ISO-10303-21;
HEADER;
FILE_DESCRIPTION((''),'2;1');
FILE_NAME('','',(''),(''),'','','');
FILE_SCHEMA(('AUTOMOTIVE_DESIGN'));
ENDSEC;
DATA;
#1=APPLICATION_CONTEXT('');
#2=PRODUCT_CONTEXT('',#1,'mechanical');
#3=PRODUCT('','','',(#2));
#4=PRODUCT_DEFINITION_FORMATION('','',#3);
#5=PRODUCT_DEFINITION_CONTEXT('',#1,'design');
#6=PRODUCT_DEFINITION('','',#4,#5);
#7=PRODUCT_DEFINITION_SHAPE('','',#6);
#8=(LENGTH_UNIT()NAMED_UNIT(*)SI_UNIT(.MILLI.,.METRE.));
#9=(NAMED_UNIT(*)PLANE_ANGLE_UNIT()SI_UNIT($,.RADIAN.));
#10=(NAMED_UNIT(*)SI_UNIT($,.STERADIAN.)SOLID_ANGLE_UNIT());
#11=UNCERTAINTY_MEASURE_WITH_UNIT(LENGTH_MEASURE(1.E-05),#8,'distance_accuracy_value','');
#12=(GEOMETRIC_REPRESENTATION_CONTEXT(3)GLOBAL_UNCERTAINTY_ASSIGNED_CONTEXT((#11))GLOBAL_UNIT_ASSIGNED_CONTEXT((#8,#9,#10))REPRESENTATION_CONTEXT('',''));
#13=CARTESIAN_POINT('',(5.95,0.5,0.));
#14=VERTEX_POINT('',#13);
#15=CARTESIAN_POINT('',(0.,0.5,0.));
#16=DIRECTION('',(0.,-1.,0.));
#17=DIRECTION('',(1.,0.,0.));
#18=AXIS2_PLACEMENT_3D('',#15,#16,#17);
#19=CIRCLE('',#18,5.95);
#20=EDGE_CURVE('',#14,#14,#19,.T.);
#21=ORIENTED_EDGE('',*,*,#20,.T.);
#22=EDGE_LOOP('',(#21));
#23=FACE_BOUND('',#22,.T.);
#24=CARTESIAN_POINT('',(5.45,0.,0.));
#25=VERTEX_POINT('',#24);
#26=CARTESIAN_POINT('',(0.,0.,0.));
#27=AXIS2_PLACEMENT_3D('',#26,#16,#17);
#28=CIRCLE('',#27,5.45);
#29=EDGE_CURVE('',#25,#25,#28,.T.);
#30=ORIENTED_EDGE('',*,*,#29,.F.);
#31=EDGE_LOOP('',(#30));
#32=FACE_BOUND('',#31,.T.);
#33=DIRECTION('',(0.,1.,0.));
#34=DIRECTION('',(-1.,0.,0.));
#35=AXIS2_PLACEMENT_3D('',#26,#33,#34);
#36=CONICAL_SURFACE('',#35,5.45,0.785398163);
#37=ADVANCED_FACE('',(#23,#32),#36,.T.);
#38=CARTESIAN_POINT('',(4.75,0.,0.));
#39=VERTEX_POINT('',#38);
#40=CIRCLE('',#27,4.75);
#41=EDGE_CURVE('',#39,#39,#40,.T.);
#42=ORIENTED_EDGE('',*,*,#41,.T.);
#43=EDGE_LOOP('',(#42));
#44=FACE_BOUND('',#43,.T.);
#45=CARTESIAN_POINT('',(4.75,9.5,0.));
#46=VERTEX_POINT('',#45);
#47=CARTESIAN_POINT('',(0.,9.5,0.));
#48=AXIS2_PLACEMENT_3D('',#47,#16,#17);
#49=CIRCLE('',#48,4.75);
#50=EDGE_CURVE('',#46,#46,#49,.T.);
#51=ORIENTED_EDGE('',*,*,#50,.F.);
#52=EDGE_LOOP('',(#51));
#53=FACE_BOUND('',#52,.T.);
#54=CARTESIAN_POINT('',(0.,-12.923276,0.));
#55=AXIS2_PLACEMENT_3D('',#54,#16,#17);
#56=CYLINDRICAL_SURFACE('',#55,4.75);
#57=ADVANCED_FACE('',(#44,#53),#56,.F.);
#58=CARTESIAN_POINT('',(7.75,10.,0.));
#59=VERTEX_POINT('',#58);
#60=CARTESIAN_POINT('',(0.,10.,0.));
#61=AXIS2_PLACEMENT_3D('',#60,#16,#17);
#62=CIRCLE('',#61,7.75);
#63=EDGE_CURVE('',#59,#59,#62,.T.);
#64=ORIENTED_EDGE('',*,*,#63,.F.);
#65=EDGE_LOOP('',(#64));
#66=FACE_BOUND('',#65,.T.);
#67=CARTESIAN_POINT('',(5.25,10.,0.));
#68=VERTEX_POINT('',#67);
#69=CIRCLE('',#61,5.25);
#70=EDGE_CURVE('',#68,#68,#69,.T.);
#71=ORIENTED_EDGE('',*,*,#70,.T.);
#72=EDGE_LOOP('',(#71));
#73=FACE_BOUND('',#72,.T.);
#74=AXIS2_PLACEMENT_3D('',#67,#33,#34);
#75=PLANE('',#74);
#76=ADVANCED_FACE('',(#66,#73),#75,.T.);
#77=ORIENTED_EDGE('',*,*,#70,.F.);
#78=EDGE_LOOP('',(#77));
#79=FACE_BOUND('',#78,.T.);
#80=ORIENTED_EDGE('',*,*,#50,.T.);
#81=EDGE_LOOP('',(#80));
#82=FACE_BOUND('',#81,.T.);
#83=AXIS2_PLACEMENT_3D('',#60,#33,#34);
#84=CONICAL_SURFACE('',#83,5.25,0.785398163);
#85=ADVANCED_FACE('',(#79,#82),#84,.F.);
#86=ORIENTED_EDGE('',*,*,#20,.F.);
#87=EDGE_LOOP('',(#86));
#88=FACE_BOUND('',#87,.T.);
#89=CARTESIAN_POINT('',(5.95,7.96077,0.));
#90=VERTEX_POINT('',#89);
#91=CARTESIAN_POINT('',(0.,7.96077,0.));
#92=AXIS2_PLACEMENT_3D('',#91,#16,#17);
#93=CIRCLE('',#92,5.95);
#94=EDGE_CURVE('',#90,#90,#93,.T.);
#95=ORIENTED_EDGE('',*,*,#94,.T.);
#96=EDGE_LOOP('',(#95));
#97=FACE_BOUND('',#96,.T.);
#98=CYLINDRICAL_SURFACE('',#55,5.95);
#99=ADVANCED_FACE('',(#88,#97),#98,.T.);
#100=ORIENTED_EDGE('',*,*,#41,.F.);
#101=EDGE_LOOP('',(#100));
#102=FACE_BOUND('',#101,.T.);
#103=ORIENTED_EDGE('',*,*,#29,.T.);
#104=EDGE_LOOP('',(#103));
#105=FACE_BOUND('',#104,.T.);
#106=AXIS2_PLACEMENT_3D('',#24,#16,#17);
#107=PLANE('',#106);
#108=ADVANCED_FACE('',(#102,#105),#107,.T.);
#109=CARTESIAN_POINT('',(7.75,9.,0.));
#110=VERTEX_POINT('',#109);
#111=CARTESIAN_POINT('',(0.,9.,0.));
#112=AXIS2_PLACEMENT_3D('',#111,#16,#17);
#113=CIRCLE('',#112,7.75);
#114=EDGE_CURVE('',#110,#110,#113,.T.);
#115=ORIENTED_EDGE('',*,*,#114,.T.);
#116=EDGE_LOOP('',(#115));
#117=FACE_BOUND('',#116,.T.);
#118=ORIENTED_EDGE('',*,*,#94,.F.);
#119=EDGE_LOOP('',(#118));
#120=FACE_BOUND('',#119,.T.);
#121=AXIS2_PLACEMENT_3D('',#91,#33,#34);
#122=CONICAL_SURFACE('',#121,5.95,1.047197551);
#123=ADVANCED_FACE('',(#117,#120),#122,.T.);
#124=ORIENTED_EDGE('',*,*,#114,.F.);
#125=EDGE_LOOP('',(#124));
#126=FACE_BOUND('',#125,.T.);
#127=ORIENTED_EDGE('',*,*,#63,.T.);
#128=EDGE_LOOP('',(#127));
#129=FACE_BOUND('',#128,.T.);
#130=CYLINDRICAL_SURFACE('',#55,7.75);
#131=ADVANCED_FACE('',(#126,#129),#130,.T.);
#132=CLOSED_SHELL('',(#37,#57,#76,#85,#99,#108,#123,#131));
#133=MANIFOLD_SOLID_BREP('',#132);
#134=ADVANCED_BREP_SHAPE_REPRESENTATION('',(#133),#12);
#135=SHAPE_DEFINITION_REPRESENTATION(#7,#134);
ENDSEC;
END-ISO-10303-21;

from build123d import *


with BuildPart() as part:
    # Sketch1 → Revolve1 (revolve)
    with BuildSketch(Plane.XY):
        Polygon((4.75, 9.5), (4.75, 0), (5.45, 0), (5.95, 0.5), (5.95, 7.960769515), (7.75, 9), (7.75, 10), (5.25, 10), align=None)
    revolve(axis=Axis((0, -12.923275862, 0), (0, 1, 0)))


solid = part.part
